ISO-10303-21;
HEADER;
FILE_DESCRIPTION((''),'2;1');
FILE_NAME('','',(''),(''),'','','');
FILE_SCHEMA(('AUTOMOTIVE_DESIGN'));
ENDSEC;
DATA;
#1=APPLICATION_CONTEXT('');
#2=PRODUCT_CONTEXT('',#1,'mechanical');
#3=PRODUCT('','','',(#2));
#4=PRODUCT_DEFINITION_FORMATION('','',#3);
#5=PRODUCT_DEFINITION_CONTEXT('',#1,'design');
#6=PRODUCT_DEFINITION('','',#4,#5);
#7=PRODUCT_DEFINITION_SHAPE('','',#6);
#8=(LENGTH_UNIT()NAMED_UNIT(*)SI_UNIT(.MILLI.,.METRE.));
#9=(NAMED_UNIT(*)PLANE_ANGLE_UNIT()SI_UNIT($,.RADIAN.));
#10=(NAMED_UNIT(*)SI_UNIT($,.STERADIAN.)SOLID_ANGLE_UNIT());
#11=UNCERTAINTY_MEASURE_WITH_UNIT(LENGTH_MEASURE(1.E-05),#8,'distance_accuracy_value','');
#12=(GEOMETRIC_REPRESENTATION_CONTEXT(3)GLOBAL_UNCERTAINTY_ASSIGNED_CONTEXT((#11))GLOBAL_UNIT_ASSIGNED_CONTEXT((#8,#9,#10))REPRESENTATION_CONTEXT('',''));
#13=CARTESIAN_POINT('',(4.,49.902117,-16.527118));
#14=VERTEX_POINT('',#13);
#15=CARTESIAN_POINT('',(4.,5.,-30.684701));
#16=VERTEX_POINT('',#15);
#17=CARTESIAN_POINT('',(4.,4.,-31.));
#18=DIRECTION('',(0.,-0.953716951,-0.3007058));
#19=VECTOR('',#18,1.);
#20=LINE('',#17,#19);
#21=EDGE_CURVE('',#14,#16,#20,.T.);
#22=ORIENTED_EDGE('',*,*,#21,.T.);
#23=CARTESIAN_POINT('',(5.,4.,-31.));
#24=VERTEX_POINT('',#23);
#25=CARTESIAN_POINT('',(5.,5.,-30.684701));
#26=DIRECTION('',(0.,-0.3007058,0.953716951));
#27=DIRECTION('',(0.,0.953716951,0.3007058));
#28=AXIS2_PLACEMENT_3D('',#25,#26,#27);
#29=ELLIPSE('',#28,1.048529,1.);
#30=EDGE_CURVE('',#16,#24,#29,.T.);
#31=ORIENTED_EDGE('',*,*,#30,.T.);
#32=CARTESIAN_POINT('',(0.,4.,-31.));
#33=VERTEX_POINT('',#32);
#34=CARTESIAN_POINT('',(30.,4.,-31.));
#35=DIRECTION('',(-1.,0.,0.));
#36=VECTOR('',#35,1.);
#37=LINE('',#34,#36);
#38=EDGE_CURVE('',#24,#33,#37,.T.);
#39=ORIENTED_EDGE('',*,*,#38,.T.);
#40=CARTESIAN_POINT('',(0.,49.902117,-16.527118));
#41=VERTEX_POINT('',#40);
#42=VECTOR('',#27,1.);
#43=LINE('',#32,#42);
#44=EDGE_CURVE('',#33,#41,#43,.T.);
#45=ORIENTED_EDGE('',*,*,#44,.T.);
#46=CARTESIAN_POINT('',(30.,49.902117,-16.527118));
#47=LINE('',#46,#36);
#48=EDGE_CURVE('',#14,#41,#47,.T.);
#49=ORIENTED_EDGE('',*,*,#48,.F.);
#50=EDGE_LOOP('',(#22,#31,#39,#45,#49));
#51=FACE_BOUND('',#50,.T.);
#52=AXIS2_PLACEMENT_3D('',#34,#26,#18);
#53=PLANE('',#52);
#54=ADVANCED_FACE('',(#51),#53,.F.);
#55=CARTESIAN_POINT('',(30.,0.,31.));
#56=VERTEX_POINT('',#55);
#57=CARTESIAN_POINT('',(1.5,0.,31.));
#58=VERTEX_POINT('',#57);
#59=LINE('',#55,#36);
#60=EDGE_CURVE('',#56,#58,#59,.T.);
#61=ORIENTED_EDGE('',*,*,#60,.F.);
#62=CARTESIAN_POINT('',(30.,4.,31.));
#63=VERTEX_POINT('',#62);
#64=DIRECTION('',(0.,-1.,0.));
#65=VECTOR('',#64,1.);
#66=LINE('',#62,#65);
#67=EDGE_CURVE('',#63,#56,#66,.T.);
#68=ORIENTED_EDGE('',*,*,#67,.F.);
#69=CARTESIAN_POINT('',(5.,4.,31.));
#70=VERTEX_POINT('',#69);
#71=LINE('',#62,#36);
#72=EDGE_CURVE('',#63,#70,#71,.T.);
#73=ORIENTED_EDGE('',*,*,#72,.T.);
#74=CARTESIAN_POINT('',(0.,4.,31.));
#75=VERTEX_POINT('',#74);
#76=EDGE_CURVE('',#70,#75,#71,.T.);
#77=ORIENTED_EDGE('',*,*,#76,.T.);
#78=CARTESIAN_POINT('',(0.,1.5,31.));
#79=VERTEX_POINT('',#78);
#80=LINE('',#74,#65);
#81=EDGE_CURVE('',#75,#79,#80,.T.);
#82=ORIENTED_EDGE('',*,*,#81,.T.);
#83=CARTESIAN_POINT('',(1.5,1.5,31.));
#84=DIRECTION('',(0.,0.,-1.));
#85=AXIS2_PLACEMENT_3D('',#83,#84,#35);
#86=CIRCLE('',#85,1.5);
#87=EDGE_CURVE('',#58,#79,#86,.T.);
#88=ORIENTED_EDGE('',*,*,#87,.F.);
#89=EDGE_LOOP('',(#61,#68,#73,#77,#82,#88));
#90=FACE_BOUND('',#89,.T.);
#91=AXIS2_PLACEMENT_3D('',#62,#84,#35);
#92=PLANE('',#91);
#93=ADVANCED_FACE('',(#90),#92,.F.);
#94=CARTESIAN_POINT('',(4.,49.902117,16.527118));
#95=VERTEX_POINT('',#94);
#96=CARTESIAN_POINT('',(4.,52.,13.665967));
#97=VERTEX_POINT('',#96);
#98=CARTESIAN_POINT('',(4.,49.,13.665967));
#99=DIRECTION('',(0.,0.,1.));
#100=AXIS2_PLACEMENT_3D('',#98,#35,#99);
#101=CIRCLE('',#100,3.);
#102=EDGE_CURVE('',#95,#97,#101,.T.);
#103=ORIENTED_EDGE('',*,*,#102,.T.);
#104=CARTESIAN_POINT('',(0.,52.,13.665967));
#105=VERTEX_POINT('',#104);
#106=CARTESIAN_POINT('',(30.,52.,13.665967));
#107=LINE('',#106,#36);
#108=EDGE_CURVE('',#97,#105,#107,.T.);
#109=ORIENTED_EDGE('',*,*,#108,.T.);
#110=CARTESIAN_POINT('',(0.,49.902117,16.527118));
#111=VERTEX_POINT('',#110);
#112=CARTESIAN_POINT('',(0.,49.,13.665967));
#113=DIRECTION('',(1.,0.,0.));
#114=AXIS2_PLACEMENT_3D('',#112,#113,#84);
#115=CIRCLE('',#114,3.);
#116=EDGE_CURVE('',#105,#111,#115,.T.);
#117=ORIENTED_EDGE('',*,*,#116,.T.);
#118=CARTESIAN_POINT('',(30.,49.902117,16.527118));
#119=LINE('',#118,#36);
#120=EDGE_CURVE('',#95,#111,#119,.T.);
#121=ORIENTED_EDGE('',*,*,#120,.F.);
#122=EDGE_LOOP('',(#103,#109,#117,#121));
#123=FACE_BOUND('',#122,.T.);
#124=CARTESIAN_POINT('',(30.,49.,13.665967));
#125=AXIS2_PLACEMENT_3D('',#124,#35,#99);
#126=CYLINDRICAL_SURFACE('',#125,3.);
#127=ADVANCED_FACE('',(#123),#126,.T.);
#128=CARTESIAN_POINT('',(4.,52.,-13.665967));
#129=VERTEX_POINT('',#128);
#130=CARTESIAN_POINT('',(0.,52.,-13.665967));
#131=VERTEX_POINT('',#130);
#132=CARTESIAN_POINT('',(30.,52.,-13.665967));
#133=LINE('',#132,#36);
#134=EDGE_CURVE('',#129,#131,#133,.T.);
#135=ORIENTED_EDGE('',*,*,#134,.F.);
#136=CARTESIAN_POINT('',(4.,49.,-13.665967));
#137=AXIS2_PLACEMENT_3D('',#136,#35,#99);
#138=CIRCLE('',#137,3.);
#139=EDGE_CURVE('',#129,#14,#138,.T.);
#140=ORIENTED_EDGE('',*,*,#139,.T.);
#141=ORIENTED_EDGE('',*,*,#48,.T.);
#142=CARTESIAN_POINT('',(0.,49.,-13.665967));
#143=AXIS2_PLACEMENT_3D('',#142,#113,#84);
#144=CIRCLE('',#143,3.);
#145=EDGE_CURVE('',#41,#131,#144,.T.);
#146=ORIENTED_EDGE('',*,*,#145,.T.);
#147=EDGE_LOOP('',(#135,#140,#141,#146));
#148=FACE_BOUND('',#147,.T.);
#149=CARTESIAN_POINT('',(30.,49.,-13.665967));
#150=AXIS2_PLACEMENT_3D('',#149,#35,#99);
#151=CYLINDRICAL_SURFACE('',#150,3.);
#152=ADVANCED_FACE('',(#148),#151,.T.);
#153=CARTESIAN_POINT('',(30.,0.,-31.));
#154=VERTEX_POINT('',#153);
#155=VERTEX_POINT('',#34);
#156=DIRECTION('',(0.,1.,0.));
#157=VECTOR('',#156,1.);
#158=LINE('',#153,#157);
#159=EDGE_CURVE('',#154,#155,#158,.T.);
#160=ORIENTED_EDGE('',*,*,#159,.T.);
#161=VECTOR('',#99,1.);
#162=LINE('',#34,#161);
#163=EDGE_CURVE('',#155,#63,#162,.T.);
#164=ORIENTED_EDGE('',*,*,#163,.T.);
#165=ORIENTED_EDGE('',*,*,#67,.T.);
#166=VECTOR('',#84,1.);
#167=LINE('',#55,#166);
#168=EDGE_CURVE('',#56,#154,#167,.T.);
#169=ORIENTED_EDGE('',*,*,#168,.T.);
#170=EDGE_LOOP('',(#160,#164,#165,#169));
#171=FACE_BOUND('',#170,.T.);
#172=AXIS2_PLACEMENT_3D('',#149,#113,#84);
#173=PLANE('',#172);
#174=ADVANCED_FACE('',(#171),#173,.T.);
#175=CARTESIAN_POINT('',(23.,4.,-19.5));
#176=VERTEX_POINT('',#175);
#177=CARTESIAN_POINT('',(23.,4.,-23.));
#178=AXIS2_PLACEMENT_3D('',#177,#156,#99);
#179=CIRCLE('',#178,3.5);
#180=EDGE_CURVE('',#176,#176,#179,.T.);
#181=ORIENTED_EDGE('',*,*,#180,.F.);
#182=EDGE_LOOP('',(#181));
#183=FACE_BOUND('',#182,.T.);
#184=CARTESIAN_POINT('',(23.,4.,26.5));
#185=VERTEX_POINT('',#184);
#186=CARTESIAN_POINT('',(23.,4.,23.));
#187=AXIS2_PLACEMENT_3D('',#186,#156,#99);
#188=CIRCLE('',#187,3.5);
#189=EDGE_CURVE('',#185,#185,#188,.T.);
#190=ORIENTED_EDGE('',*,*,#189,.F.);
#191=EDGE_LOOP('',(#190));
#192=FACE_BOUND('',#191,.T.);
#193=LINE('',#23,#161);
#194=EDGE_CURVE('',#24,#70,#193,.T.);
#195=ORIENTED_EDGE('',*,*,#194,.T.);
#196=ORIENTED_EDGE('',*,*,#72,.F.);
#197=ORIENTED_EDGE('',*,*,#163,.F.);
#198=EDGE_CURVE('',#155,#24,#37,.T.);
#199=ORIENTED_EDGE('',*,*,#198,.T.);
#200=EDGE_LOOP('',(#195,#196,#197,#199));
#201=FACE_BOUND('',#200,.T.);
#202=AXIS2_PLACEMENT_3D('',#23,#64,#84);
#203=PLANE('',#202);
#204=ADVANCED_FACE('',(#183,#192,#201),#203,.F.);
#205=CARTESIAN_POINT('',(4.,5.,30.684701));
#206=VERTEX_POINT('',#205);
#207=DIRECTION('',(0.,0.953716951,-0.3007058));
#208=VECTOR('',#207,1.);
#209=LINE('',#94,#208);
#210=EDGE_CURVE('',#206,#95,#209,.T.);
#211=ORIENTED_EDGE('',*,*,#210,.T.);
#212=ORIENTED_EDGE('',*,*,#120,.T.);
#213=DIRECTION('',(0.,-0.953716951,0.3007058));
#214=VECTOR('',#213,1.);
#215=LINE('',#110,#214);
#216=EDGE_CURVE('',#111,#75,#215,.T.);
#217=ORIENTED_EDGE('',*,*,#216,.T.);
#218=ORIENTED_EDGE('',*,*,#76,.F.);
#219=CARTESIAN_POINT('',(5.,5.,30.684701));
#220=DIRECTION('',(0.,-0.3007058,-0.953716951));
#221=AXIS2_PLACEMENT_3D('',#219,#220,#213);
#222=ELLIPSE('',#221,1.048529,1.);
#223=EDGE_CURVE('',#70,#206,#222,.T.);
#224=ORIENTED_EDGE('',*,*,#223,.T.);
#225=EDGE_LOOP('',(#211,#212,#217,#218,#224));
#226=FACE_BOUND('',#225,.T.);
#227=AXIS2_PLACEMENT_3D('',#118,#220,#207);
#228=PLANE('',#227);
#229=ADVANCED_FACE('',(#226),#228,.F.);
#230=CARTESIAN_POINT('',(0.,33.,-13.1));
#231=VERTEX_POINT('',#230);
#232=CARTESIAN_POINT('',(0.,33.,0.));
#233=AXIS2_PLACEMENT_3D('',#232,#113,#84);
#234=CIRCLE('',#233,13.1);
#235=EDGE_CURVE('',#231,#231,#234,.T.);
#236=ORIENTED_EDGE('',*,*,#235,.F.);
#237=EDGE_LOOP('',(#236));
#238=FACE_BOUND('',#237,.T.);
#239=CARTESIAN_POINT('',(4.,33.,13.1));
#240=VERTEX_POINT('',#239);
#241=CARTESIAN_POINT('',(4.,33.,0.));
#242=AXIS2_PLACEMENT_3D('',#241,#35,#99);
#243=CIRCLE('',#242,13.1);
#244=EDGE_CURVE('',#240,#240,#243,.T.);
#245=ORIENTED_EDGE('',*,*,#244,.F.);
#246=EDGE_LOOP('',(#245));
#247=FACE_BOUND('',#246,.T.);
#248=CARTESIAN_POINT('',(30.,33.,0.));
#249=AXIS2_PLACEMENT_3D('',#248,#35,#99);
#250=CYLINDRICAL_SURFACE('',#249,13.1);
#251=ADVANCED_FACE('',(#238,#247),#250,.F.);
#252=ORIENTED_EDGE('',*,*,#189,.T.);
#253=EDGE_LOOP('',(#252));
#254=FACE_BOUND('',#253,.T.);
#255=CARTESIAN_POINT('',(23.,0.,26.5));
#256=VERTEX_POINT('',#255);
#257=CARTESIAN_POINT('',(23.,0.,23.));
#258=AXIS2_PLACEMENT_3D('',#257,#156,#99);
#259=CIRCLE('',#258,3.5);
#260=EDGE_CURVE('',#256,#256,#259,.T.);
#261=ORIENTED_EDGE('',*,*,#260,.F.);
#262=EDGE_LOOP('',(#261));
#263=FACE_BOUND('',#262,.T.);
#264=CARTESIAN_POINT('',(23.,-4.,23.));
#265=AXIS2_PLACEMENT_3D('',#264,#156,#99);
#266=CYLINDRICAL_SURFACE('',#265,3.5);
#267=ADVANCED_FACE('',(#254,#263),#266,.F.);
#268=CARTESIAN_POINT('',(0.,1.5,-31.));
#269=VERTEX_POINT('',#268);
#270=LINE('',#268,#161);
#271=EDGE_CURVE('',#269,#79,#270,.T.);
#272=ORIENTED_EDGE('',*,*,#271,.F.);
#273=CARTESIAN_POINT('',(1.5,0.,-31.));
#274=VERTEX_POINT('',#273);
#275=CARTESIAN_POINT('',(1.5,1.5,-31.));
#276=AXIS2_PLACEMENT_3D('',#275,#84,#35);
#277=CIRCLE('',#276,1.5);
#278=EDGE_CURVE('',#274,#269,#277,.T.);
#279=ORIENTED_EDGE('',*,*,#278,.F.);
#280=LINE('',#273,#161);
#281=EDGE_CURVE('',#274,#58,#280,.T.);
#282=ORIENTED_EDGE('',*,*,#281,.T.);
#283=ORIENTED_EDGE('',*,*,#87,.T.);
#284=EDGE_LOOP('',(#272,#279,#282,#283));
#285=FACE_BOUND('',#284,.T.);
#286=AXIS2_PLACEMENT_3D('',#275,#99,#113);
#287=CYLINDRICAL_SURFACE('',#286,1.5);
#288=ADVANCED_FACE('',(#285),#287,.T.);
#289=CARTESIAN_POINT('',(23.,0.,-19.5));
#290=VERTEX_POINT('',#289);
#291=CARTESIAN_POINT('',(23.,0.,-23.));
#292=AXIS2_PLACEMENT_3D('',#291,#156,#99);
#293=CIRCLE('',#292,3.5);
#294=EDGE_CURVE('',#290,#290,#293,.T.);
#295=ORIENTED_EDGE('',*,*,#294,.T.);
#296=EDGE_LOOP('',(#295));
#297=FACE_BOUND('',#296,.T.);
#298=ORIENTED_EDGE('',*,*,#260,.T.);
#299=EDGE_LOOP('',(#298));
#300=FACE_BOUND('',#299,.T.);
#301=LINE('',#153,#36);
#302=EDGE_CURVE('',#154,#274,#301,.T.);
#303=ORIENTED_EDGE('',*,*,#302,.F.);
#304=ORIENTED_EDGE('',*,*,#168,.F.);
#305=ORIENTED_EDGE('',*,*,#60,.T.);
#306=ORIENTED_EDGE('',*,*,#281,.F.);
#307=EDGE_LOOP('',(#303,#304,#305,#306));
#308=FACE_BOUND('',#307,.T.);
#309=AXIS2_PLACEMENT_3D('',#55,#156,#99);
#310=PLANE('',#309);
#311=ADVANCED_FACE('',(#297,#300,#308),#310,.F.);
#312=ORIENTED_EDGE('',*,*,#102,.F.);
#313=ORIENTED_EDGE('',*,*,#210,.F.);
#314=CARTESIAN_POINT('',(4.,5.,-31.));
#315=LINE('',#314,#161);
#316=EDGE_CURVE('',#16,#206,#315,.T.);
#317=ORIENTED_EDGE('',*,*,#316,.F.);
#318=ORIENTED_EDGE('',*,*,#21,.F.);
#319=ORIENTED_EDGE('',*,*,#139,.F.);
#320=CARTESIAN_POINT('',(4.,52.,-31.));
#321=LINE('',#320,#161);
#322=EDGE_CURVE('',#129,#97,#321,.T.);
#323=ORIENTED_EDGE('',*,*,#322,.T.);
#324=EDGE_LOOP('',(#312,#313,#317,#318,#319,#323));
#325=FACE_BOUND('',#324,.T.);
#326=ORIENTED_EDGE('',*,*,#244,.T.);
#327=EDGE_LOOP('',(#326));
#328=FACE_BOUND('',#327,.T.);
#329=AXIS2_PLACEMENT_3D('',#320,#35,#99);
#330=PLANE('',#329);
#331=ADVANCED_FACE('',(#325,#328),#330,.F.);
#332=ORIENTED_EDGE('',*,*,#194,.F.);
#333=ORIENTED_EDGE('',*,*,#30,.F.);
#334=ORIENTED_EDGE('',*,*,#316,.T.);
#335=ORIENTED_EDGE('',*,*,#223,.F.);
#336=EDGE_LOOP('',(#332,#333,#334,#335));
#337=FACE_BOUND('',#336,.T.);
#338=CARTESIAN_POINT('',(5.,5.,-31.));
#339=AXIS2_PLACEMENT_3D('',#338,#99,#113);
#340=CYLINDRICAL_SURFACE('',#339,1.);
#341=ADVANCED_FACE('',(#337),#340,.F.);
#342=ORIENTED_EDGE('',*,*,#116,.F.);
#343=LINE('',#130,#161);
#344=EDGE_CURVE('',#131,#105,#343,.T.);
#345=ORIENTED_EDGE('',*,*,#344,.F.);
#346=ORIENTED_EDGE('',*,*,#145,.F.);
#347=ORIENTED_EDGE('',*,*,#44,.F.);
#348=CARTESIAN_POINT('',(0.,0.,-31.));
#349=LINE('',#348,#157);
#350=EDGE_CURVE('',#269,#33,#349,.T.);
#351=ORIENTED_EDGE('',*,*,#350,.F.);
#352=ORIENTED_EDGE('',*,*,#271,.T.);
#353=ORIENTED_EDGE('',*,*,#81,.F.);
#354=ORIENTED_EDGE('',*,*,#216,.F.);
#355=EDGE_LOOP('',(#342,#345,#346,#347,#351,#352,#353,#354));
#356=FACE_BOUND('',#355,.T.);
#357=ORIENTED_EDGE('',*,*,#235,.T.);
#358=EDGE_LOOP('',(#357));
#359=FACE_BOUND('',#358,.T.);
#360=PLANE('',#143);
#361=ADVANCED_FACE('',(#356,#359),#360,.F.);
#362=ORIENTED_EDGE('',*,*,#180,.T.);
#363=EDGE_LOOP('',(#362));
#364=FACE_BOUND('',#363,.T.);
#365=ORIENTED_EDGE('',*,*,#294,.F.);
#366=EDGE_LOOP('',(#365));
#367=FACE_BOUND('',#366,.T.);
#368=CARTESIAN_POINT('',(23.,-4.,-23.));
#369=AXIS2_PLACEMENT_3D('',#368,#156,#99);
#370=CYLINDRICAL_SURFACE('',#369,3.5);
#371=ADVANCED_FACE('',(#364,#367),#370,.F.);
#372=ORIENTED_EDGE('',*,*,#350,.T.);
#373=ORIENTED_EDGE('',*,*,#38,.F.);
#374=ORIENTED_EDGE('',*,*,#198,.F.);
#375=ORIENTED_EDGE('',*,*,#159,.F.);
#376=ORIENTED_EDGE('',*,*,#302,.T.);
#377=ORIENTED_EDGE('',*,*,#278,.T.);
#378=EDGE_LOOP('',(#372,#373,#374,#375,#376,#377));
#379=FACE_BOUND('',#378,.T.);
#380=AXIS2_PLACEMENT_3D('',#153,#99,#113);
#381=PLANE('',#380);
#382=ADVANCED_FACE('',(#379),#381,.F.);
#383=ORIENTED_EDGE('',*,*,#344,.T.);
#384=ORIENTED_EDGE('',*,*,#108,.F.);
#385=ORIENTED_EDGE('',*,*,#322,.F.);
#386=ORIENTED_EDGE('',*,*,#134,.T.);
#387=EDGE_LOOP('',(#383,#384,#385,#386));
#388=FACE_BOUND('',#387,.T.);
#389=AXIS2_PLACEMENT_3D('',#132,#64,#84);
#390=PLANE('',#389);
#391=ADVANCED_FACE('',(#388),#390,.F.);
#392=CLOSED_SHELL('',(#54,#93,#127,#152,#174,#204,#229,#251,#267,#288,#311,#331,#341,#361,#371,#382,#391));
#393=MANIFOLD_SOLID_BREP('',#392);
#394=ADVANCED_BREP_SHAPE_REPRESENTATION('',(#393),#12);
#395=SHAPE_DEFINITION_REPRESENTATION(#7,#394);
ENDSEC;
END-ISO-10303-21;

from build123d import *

# Parameters (mm, degrees)
SKETCH_1_R               = 13.1
EXTRUDE_1_DEPTH          = 30
CUT_EXTRUDE_1_DEPTH      = 31
CUT_EXTRUDE_1_DEPTH_BACK = 31
CUT_EXTRUDE_2_DEPTH      = 31
CUT_EXTRUDE_2_DEPTH_BACK = 31
CUT_EXTRUDE_3_DEPTH      = 4
CUT_EXTRUDE_3_DEPTH_BACK = 4
SKETCH_4_R               = 3.5
CUT_EXTRUDE_4_DEPTH      = 4
CUT_EXTRUDE_4_DEPTH_BACK = 4
SKETCH_5_R               = 3.5


with BuildPart() as part:
    # 草图1 → 凸台-拉伸1 (new body)
    with BuildSketch(Plane(origin=(0, 0, 0), x_dir=(0, 0, -1), z_dir=(1, 0, 0))):
        with BuildLine():
            Line((-31, 0), (31, 0))
            Line((31, 0), (31, 4))
            Line((31, 4), (16.527117977, 49.902117399))
            ThreePointArc((16.527117977, 49.902117399), (15.43989607, 51.419333813), (13.665967125, 52))
            Line((13.665967125, 52), (-13.665967125, 52))
            ThreePointArc((-13.665967125, 52), (-15.43989607, 51.419333813), (-16.527117977, 49.902117399))
            Line((-16.527117977, 49.902117399), (-31, 4))
            Line((-31, 4), (-31, 0))
        make_face()
        with Locations((0, 33)):
            Circle(SKETCH_1_R, mode=Mode.SUBTRACT)
    extrude(amount=EXTRUDE_1_DEPTH)

    # 草图2 → 切除-拉伸1 (cut, two sides: drawn at the far end of the back side and taken through both)
    with BuildSketch(Plane.XY.offset(-CUT_EXTRUDE_1_DEPTH_BACK)):
        with BuildLine():
            Line((5, 4), (30, 4))
            Line((30, 4), (30, 52))
            Line((30, 52), (4, 52))
            Line((4, 52), (4, 5))
            ThreePointArc((4, 5), (4.292893219, 4.292893219), (5, 4))
        make_face()
    extrude(amount=CUT_EXTRUDE_1_DEPTH + CUT_EXTRUDE_1_DEPTH_BACK, mode=Mode.SUBTRACT)

    # 草图3 → 切除-拉伸2 (cut, two sides: drawn at the far end of the back side and taken through both)
    with BuildSketch(Plane.XY.offset(-CUT_EXTRUDE_2_DEPTH_BACK)):
        with BuildLine():
            Line((-1, -1), (1.5, -1))
            Line((1.5, -1), (1.5, 0))
            ThreePointArc((1.5, 0), (0.439339828, 0.439339828), (0, 1.5))
            Line((0, 1.5), (-1, 1.5))
            Line((-1, 1.5), (-1, -1))
        make_face()
    extrude(amount=CUT_EXTRUDE_2_DEPTH + CUT_EXTRUDE_2_DEPTH_BACK, mode=Mode.SUBTRACT)

    # 草图4 → 切除-拉伸3 (cut, two sides: drawn at the far end of the back side and taken through both)
    with BuildSketch(Plane(origin=(0, 0, 0), x_dir=(1, 0, 0), z_dir=(0, 1, 0)).offset(-CUT_EXTRUDE_3_DEPTH_BACK)):
        with Locations((23, 23)):
            Circle(SKETCH_4_R)
    extrude(amount=CUT_EXTRUDE_3_DEPTH + CUT_EXTRUDE_3_DEPTH_BACK, mode=Mode.SUBTRACT)

    # 草图5 → 切除-拉伸4 (cut, two sides: drawn at the far end of the back side and taken through both)
    with BuildSketch(Plane(origin=(0, 0, 0), x_dir=(1, 0, 0), z_dir=(0, 1, 0)).offset(-CUT_EXTRUDE_4_DEPTH_BACK)):
        with Locations((23, -23)):
            Circle(SKETCH_5_R)
    extrude(amount=CUT_EXTRUDE_4_DEPTH + CUT_EXTRUDE_4_DEPTH_BACK, mode=Mode.SUBTRACT)


solid = part.part
